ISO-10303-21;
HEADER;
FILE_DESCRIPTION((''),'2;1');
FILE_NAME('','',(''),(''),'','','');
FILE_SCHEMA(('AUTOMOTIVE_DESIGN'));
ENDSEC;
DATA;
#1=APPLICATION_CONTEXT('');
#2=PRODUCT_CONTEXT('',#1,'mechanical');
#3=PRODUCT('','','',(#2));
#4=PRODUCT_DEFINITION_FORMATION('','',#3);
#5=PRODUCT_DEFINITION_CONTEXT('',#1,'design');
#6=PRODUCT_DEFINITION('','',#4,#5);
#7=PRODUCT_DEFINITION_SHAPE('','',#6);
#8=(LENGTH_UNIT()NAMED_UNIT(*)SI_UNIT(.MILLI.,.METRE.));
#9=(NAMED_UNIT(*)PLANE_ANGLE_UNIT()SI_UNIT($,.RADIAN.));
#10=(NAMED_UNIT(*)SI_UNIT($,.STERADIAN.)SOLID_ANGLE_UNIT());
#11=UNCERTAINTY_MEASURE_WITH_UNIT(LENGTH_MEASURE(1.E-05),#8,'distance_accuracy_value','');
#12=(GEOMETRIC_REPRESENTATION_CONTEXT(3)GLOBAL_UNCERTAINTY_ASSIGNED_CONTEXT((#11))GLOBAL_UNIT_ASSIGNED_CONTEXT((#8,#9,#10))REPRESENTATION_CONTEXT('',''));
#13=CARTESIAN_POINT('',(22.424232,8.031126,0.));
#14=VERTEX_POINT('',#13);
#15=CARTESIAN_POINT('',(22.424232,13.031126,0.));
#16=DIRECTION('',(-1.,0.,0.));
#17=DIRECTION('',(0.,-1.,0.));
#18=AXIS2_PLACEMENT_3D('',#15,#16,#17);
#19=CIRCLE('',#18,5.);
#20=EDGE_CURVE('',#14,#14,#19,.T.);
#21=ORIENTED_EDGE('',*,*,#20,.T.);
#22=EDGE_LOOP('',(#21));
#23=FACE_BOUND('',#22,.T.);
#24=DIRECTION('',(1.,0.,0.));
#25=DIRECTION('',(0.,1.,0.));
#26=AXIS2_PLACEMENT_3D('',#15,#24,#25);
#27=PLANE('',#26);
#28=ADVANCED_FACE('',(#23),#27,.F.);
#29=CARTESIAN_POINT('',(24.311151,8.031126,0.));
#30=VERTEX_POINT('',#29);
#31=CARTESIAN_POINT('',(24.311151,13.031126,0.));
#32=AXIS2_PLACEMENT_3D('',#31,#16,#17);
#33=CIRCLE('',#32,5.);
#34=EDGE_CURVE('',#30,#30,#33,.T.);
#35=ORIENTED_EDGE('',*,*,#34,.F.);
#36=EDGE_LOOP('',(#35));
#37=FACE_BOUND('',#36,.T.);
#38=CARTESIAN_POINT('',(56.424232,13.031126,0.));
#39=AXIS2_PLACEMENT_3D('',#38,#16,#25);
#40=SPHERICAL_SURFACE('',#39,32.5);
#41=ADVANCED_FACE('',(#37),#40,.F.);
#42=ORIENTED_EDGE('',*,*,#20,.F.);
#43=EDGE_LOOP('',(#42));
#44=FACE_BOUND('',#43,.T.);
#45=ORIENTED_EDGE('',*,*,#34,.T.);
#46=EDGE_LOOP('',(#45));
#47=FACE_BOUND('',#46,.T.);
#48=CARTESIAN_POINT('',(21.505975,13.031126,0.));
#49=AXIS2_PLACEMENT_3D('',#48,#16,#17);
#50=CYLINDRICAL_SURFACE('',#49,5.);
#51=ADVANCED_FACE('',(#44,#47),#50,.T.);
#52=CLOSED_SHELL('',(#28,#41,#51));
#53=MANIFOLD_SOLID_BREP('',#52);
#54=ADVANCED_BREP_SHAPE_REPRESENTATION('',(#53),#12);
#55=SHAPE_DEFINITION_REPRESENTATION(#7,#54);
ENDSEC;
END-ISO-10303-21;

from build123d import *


with BuildPart() as part:
    # 草图1 → 旋转1 (revolve)
    with BuildSketch(Plane.XY):
        with BuildLine():
            Line((22.424232054, 13.031126091), (22.424232054, 18.031126091))
            Line((22.424232054, 18.031126091), (24.311150607, 18.031126091))
            ThreePointArc((24.311150607, 18.031126091), (24.02110607, 15.538600217), (23.924232054, 13.031126091))
            Line((23.924232054, 13.031126091), (22.424232054, 13.031126091))
        make_face()
    revolve(axis=Axis((21.505975118, 13.031126091, 0), (1, 0, 0)))


solid = part.part
